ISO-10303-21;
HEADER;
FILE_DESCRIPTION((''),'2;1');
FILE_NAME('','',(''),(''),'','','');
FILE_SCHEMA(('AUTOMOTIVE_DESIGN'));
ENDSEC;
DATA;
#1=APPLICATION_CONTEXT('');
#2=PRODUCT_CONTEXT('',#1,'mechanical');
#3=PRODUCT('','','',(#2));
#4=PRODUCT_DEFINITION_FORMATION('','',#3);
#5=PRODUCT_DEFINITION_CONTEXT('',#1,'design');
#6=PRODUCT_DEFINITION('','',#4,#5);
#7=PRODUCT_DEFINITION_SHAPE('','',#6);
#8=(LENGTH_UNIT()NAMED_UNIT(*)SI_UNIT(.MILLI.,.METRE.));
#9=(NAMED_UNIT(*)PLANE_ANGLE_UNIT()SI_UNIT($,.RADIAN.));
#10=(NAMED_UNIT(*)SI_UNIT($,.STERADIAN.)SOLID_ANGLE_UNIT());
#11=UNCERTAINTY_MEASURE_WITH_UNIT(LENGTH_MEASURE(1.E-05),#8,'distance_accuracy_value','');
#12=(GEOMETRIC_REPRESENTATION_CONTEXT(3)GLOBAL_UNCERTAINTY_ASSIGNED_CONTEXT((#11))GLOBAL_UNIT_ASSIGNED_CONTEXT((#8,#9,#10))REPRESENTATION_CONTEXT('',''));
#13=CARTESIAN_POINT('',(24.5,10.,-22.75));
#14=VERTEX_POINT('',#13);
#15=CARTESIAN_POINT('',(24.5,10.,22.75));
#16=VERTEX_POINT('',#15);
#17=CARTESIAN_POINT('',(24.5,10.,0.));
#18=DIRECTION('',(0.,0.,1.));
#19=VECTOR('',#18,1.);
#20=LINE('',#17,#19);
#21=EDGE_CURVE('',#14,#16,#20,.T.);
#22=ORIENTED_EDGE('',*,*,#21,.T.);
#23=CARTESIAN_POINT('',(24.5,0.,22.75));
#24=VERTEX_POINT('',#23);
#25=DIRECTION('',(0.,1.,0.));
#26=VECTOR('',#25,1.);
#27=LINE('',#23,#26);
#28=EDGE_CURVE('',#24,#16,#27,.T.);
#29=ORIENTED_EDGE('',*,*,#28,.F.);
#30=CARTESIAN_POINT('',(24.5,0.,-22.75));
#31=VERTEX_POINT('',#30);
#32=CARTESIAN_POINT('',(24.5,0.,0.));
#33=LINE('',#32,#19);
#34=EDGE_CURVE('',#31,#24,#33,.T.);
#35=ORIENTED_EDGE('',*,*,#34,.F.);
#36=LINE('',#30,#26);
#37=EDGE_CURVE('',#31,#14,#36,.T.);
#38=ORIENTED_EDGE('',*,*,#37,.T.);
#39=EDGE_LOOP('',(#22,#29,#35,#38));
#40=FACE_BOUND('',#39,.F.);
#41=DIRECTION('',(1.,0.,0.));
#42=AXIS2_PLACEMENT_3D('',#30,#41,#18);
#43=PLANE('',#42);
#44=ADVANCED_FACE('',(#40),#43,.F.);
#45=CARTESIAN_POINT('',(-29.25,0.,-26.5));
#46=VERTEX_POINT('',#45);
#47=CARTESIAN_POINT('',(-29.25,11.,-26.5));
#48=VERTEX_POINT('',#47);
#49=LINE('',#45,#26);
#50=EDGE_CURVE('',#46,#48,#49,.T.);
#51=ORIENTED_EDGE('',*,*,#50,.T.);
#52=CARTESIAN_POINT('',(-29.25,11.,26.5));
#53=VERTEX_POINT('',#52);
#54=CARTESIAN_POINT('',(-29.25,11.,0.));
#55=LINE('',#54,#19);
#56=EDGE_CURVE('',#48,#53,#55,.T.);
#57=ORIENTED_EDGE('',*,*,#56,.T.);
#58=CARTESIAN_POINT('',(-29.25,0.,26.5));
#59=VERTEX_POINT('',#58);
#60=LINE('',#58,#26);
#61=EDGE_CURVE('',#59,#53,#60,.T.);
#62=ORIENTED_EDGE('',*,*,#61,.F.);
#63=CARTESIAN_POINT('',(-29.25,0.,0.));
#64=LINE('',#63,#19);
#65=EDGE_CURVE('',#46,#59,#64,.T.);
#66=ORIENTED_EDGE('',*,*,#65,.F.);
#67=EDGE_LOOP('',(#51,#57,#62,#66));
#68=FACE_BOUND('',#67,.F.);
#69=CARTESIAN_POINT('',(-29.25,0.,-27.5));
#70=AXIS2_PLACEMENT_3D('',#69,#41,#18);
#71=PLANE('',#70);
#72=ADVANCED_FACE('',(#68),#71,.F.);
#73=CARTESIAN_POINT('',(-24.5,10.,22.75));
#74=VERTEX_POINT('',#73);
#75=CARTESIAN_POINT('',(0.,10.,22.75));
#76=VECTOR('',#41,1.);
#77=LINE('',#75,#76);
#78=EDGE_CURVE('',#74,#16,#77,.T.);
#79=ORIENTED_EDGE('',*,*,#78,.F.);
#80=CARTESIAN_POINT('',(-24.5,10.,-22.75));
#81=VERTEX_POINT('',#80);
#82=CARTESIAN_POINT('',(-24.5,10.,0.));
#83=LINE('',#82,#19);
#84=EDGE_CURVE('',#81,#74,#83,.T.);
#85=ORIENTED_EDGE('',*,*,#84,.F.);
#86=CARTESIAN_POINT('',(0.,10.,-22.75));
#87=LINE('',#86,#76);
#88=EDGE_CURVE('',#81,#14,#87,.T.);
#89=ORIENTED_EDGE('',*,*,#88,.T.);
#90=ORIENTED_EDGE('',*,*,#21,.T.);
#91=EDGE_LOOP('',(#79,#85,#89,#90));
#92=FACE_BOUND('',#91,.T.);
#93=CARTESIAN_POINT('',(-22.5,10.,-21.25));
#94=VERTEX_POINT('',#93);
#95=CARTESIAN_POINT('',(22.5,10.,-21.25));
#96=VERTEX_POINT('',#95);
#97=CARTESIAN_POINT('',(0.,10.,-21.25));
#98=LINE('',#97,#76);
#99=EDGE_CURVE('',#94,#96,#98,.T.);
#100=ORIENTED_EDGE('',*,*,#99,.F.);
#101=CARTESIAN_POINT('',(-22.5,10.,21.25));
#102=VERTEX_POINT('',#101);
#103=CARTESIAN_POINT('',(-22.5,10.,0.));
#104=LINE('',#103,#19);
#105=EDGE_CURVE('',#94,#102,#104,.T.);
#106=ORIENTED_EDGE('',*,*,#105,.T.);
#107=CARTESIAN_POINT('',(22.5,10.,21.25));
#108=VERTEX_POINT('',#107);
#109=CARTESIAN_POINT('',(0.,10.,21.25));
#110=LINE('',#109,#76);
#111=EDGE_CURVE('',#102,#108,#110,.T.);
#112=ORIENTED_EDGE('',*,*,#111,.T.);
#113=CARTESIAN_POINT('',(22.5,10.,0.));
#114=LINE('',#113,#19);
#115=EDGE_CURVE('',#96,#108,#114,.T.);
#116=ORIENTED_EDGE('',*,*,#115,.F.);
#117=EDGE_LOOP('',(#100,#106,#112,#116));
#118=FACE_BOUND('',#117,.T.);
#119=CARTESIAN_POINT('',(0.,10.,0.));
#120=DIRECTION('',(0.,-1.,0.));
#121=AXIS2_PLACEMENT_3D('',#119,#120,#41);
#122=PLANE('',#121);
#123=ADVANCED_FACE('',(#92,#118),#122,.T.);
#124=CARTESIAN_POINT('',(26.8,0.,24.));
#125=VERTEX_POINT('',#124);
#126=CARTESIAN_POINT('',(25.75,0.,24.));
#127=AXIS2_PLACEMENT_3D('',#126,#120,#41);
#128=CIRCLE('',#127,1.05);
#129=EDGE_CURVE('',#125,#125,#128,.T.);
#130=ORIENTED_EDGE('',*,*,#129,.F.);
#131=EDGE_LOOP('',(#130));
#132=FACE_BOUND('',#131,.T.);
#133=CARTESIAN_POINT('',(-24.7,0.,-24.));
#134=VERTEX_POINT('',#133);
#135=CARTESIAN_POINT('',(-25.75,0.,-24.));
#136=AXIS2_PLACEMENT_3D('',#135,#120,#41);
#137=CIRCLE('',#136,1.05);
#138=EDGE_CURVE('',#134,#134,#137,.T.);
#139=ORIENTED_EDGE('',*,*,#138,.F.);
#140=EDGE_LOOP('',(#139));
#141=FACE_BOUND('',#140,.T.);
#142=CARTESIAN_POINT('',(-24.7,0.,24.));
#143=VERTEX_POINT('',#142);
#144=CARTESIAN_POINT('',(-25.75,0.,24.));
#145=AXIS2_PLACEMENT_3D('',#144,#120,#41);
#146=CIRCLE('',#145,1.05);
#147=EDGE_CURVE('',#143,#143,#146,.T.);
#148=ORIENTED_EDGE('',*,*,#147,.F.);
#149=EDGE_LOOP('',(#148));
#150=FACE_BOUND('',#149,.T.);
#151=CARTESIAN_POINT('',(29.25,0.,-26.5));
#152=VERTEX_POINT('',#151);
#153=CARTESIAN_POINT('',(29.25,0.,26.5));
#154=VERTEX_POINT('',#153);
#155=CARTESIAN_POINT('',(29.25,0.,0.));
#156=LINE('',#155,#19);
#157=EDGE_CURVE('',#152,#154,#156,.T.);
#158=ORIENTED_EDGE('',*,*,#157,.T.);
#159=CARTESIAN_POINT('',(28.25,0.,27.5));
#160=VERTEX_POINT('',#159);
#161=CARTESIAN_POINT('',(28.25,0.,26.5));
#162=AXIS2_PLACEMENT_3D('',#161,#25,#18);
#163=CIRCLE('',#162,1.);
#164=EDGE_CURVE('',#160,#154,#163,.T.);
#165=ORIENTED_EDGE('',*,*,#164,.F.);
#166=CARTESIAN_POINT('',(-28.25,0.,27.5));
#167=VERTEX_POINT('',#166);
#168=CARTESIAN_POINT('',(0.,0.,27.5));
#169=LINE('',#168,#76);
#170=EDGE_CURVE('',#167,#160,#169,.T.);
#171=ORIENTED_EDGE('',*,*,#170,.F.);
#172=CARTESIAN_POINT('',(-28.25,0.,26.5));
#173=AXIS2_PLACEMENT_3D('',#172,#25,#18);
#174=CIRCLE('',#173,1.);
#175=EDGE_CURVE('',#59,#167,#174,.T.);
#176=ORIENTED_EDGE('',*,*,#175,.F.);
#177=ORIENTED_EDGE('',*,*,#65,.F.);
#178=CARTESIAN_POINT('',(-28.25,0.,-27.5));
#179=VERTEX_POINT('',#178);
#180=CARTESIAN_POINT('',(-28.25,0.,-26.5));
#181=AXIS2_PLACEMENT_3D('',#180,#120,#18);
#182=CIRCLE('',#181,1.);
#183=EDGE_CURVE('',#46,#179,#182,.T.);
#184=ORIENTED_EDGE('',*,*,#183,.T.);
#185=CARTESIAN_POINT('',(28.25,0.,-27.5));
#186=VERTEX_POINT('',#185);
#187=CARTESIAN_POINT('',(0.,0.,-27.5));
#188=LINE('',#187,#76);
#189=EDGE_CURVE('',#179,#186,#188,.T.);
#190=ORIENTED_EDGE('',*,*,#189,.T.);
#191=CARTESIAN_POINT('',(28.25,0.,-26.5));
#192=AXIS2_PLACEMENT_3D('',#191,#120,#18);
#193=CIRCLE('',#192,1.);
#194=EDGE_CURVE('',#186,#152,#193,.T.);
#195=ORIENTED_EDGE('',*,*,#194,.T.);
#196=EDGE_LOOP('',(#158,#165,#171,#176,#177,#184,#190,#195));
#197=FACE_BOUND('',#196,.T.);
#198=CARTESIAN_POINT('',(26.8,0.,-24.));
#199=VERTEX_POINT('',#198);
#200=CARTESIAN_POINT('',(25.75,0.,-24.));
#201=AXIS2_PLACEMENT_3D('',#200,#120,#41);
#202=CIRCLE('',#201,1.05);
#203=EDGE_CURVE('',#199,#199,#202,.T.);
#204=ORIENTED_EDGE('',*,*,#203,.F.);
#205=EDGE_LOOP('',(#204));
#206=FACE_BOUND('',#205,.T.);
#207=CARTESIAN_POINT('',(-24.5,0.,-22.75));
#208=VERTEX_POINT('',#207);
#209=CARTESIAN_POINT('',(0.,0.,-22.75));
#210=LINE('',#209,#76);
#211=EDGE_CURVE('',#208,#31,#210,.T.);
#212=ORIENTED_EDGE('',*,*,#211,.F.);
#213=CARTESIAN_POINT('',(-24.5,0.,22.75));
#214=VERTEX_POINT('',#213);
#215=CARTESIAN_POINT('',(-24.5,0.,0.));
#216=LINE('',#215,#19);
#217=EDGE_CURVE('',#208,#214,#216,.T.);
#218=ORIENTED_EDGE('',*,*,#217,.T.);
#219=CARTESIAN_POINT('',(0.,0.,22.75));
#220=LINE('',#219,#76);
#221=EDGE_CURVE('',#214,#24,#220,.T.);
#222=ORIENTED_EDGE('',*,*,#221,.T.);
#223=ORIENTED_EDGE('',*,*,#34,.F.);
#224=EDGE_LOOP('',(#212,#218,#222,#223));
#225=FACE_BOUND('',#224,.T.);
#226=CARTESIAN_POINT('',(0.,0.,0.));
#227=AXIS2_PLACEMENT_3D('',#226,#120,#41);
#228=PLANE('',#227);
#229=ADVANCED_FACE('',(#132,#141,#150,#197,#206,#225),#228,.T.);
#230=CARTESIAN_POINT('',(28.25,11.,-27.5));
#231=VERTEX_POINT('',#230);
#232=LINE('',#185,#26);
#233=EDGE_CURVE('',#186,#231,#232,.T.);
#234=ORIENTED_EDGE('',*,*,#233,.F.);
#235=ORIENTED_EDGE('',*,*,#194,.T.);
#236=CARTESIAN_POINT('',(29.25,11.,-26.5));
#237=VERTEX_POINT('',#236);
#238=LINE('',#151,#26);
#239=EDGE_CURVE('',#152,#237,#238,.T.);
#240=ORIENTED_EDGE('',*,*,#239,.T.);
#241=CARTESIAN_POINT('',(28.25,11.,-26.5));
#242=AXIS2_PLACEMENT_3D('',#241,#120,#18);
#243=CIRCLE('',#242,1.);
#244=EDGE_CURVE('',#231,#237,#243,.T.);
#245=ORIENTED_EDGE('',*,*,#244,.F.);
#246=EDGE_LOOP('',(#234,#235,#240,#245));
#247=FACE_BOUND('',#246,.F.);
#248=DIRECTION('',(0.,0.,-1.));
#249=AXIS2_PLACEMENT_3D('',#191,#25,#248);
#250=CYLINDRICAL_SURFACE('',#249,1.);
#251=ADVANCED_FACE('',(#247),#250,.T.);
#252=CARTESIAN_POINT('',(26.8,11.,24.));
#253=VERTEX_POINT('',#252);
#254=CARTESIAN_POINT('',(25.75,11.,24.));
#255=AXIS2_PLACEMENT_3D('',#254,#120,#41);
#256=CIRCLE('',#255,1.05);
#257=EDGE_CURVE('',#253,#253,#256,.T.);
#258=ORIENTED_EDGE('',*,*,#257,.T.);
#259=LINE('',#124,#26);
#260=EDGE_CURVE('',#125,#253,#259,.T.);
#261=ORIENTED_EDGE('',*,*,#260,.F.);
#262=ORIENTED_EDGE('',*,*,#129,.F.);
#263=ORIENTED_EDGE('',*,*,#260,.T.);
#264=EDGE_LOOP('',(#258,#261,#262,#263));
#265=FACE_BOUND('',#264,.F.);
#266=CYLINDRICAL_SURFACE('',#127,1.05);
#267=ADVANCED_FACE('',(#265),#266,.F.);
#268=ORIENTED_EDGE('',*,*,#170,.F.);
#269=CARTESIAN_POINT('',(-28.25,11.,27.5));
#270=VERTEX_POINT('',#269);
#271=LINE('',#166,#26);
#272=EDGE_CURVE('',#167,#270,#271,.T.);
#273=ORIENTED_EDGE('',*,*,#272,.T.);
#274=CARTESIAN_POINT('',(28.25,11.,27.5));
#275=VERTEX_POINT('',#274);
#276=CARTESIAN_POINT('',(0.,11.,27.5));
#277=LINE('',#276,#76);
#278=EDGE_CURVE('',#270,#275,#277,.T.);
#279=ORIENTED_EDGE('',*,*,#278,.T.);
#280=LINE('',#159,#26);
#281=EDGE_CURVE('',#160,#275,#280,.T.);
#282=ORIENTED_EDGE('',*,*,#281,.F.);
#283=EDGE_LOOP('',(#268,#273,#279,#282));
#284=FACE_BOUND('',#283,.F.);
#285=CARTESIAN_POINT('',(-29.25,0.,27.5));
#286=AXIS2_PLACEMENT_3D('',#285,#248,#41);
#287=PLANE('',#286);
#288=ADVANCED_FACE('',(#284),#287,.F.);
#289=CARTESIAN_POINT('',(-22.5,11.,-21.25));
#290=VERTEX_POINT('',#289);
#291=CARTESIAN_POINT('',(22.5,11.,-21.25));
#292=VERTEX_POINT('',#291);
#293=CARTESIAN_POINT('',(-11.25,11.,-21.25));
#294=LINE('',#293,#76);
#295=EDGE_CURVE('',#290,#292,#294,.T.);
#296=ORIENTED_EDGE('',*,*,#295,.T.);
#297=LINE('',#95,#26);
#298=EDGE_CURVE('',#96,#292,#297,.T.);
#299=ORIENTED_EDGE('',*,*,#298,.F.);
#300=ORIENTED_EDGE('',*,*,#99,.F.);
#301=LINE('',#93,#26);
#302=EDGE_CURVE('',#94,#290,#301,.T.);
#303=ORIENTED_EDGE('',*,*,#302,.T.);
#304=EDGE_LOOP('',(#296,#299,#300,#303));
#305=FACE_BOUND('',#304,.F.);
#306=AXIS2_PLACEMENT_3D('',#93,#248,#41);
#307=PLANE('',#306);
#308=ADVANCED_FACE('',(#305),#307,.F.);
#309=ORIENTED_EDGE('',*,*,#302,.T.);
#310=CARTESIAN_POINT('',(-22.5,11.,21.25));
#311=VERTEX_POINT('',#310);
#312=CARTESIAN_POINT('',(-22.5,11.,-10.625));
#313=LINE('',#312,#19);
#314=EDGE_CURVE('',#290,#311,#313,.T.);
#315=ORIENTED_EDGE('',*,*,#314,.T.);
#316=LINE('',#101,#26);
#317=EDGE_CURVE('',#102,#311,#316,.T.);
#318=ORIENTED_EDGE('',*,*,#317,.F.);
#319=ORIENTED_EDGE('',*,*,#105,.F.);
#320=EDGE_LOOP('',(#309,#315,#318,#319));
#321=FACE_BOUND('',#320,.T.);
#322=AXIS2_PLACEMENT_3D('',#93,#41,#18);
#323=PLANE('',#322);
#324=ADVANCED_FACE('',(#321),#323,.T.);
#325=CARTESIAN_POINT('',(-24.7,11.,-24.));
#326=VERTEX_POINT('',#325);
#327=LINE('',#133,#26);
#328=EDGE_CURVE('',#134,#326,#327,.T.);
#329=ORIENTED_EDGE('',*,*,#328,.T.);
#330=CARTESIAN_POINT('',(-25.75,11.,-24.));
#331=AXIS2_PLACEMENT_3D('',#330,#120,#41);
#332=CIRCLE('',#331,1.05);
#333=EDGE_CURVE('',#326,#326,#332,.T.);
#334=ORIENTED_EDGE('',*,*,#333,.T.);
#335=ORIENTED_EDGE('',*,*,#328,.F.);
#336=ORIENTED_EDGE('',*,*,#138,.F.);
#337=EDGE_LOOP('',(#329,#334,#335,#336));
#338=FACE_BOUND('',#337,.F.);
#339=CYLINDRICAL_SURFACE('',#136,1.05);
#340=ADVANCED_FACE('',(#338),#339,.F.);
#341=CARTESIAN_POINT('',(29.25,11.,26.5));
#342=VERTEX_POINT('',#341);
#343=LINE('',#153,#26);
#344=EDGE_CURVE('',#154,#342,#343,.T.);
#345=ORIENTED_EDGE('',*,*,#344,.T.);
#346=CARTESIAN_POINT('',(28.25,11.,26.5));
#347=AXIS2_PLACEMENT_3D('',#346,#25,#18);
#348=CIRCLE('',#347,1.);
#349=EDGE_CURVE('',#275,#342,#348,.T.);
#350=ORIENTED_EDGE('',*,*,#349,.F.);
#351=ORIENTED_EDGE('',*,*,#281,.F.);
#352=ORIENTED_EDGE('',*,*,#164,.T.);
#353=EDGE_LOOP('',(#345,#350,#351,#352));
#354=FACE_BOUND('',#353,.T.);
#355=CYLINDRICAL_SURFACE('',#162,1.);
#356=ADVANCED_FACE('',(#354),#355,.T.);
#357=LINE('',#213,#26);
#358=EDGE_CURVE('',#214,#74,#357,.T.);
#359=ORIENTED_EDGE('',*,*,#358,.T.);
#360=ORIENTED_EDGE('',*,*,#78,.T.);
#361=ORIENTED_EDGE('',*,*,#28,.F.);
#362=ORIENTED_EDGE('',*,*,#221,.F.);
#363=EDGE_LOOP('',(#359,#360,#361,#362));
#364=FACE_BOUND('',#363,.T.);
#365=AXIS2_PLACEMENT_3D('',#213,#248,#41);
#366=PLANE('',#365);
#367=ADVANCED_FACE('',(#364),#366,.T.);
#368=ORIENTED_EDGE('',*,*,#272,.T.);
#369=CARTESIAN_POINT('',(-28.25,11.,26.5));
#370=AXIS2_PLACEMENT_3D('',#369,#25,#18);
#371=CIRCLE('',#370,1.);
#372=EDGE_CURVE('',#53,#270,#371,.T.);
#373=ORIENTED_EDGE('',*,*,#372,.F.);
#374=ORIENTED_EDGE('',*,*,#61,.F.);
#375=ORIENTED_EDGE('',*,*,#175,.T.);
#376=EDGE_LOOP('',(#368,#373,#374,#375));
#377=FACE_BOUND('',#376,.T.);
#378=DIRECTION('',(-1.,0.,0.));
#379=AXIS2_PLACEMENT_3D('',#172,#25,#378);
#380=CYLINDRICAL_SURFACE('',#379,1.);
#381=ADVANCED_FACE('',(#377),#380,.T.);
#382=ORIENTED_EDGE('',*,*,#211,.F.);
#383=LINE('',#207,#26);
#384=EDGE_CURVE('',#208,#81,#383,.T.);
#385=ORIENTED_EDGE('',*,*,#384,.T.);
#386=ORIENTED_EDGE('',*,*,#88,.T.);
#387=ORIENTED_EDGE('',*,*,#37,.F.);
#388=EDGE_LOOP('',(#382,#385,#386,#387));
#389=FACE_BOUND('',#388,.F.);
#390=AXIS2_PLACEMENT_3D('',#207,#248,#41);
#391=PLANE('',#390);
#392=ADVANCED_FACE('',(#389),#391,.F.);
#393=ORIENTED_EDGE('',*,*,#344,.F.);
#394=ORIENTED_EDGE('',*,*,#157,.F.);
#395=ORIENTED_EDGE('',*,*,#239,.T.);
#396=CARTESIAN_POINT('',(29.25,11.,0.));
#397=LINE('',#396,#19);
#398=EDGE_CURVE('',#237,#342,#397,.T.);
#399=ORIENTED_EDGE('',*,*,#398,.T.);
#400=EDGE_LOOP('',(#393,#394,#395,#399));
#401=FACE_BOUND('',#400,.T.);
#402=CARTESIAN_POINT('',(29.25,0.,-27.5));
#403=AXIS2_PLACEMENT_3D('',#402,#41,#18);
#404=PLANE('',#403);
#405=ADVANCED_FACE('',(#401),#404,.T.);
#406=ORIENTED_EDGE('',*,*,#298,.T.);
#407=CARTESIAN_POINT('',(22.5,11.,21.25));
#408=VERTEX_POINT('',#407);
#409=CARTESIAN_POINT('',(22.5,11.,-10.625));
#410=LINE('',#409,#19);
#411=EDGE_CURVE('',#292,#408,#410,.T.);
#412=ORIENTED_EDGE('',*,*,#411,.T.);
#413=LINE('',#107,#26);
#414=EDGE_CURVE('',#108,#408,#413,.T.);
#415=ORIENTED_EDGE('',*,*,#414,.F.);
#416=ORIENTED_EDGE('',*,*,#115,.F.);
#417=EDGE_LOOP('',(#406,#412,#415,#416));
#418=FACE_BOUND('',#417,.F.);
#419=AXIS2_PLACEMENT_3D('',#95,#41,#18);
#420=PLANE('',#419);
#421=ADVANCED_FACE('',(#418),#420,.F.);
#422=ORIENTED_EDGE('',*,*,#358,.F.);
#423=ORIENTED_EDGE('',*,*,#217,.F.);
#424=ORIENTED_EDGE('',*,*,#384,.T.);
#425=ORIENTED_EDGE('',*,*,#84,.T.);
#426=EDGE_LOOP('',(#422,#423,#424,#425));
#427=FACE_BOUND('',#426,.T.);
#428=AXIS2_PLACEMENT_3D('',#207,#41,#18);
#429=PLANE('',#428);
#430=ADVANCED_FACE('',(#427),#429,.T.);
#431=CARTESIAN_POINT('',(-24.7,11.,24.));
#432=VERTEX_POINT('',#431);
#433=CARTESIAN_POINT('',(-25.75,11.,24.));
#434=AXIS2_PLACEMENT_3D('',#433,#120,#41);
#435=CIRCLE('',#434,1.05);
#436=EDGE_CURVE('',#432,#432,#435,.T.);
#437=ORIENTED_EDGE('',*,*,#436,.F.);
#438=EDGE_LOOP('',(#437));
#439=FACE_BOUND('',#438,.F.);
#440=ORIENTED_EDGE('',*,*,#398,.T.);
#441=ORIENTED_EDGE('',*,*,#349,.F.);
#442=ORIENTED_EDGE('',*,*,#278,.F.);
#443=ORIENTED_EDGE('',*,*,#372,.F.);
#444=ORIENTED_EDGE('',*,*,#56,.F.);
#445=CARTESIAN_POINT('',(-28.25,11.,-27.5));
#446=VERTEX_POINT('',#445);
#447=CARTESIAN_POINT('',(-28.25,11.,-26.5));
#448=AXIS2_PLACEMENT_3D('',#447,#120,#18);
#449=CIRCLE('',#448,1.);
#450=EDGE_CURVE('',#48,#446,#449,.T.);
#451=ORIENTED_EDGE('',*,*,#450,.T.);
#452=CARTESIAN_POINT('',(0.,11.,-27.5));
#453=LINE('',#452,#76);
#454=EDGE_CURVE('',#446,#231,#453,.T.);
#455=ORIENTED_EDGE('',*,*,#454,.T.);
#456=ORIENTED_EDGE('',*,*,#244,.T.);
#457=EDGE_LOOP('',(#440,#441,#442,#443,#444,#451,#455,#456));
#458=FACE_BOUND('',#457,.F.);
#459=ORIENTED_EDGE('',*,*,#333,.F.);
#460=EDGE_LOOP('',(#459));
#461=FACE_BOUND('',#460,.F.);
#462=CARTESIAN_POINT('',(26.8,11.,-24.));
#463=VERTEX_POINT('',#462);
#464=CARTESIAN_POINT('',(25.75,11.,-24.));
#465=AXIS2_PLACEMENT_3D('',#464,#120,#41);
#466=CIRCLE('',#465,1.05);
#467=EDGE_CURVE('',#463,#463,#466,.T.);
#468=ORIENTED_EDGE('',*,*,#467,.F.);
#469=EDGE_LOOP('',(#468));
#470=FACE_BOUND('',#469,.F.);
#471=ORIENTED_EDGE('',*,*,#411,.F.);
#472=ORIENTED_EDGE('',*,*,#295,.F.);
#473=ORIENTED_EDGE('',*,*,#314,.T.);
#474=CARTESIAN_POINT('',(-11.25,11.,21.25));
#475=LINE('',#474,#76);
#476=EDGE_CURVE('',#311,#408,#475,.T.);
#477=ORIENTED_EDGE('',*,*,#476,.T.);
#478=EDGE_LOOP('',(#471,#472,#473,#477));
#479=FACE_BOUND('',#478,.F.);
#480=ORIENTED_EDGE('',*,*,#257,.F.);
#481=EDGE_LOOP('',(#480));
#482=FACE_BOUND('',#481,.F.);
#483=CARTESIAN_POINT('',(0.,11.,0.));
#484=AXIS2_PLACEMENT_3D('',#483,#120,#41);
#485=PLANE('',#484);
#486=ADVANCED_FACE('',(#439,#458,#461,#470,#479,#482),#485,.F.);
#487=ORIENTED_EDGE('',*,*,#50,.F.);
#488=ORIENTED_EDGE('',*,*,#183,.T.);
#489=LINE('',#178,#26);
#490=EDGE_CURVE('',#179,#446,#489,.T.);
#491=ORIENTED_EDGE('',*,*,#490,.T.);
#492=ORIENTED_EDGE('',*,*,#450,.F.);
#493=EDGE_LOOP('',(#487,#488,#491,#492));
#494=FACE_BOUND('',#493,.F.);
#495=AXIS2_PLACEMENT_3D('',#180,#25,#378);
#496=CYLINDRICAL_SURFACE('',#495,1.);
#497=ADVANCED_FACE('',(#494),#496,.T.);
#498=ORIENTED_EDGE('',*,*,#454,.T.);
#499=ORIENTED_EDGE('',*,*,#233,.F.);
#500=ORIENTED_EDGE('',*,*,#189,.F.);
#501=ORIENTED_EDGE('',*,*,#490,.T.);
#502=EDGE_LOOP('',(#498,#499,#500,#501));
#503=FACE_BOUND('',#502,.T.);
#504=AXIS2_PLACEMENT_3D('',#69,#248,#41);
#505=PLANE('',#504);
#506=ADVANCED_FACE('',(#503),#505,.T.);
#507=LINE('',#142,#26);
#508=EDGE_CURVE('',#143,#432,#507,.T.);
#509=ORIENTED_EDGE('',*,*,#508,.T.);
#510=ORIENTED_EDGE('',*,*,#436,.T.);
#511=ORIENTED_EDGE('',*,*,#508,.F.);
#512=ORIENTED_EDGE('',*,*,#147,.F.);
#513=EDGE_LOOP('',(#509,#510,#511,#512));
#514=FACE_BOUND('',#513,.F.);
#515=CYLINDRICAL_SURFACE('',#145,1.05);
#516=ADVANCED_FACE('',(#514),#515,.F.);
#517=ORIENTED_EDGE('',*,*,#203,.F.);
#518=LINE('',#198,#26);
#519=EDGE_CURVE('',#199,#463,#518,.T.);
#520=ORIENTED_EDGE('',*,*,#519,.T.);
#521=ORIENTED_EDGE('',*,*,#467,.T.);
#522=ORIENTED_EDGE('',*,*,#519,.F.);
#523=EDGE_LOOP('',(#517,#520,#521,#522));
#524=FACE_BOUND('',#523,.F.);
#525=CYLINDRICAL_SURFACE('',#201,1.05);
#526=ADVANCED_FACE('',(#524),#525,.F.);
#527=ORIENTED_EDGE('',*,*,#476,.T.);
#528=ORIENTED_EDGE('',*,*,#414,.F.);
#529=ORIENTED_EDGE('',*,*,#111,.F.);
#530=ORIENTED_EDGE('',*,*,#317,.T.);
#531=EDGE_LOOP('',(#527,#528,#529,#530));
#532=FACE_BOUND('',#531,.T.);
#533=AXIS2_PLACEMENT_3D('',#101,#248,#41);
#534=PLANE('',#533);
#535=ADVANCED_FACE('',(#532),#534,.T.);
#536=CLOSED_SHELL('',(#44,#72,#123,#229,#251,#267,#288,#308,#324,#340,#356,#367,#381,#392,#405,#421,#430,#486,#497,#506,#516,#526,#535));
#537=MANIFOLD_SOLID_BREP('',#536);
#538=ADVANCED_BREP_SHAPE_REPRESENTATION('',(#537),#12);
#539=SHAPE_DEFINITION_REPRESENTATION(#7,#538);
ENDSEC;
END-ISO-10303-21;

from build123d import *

# Parameters (mm, degrees)
SKETCH009_W     = 58.5
SKETCH009_H     = 55
PAD005_DEPTH    = 11
SKETCH010_W     = 49
SKETCH010_H     = 45.5
POCKET004_DEPTH = 10
SKETCH011_W     = 45
SKETCH011_H     = 42.5
POCKET005_DEPTH = 5
SKETCH012_R     = 1.05
POCKET006_DEPTH = 12
FILLET003_R     = 1


with BuildPart() as part:
    # Sketch009 → Pad005 (new body)
    with BuildSketch(Plane.XZ):
        Rectangle(SKETCH009_W, SKETCH009_H)
    extrude(amount=-PAD005_DEPTH)

    # Sketch010 (on Face5 of Pad005) → Pocket004 (cut)
    with BuildSketch(Plane.XZ):
        Rectangle(SKETCH010_W, SKETCH010_H)
    extrude(amount=-POCKET004_DEPTH, mode=Mode.SUBTRACT)

    # Sketch011 (on Face11 of Pocket004) → Pocket005 (cut)
    with BuildSketch(Plane.XZ.offset(-10)):
        Rectangle(SKETCH011_W, SKETCH011_H)
    extrude(amount=-POCKET005_DEPTH, mode=Mode.SUBTRACT)

    # Sketch012 (on Face4 of Pocket005) → Pocket006 (cut)
    with BuildSketch(Plane.XZ):
        with Locations((-25.75, 24)):
            Circle(SKETCH012_R)
        with Locations((25.75, 24)):
            Circle(SKETCH012_R)
        with Locations((-25.75, -24)):
            Circle(SKETCH012_R)
        with Locations((25.75, -24)):
            Circle(SKETCH012_R)
    extrude(amount=-POCKET006_DEPTH, mode=Mode.SUBTRACT)

    # Fillet003
    fillet003_edges = [part.edges().sort_by_distance(p)[0] for p in [
        (29.25, 5.5, 27.5),
        (29.25, 5.5, -27.5),
        (-29.25, 5.5, 27.5),
        (-29.25, 5.5, -27.5),
    ]]
    fillet(fillet003_edges, radius=FILLET003_R)


solid = part.part
